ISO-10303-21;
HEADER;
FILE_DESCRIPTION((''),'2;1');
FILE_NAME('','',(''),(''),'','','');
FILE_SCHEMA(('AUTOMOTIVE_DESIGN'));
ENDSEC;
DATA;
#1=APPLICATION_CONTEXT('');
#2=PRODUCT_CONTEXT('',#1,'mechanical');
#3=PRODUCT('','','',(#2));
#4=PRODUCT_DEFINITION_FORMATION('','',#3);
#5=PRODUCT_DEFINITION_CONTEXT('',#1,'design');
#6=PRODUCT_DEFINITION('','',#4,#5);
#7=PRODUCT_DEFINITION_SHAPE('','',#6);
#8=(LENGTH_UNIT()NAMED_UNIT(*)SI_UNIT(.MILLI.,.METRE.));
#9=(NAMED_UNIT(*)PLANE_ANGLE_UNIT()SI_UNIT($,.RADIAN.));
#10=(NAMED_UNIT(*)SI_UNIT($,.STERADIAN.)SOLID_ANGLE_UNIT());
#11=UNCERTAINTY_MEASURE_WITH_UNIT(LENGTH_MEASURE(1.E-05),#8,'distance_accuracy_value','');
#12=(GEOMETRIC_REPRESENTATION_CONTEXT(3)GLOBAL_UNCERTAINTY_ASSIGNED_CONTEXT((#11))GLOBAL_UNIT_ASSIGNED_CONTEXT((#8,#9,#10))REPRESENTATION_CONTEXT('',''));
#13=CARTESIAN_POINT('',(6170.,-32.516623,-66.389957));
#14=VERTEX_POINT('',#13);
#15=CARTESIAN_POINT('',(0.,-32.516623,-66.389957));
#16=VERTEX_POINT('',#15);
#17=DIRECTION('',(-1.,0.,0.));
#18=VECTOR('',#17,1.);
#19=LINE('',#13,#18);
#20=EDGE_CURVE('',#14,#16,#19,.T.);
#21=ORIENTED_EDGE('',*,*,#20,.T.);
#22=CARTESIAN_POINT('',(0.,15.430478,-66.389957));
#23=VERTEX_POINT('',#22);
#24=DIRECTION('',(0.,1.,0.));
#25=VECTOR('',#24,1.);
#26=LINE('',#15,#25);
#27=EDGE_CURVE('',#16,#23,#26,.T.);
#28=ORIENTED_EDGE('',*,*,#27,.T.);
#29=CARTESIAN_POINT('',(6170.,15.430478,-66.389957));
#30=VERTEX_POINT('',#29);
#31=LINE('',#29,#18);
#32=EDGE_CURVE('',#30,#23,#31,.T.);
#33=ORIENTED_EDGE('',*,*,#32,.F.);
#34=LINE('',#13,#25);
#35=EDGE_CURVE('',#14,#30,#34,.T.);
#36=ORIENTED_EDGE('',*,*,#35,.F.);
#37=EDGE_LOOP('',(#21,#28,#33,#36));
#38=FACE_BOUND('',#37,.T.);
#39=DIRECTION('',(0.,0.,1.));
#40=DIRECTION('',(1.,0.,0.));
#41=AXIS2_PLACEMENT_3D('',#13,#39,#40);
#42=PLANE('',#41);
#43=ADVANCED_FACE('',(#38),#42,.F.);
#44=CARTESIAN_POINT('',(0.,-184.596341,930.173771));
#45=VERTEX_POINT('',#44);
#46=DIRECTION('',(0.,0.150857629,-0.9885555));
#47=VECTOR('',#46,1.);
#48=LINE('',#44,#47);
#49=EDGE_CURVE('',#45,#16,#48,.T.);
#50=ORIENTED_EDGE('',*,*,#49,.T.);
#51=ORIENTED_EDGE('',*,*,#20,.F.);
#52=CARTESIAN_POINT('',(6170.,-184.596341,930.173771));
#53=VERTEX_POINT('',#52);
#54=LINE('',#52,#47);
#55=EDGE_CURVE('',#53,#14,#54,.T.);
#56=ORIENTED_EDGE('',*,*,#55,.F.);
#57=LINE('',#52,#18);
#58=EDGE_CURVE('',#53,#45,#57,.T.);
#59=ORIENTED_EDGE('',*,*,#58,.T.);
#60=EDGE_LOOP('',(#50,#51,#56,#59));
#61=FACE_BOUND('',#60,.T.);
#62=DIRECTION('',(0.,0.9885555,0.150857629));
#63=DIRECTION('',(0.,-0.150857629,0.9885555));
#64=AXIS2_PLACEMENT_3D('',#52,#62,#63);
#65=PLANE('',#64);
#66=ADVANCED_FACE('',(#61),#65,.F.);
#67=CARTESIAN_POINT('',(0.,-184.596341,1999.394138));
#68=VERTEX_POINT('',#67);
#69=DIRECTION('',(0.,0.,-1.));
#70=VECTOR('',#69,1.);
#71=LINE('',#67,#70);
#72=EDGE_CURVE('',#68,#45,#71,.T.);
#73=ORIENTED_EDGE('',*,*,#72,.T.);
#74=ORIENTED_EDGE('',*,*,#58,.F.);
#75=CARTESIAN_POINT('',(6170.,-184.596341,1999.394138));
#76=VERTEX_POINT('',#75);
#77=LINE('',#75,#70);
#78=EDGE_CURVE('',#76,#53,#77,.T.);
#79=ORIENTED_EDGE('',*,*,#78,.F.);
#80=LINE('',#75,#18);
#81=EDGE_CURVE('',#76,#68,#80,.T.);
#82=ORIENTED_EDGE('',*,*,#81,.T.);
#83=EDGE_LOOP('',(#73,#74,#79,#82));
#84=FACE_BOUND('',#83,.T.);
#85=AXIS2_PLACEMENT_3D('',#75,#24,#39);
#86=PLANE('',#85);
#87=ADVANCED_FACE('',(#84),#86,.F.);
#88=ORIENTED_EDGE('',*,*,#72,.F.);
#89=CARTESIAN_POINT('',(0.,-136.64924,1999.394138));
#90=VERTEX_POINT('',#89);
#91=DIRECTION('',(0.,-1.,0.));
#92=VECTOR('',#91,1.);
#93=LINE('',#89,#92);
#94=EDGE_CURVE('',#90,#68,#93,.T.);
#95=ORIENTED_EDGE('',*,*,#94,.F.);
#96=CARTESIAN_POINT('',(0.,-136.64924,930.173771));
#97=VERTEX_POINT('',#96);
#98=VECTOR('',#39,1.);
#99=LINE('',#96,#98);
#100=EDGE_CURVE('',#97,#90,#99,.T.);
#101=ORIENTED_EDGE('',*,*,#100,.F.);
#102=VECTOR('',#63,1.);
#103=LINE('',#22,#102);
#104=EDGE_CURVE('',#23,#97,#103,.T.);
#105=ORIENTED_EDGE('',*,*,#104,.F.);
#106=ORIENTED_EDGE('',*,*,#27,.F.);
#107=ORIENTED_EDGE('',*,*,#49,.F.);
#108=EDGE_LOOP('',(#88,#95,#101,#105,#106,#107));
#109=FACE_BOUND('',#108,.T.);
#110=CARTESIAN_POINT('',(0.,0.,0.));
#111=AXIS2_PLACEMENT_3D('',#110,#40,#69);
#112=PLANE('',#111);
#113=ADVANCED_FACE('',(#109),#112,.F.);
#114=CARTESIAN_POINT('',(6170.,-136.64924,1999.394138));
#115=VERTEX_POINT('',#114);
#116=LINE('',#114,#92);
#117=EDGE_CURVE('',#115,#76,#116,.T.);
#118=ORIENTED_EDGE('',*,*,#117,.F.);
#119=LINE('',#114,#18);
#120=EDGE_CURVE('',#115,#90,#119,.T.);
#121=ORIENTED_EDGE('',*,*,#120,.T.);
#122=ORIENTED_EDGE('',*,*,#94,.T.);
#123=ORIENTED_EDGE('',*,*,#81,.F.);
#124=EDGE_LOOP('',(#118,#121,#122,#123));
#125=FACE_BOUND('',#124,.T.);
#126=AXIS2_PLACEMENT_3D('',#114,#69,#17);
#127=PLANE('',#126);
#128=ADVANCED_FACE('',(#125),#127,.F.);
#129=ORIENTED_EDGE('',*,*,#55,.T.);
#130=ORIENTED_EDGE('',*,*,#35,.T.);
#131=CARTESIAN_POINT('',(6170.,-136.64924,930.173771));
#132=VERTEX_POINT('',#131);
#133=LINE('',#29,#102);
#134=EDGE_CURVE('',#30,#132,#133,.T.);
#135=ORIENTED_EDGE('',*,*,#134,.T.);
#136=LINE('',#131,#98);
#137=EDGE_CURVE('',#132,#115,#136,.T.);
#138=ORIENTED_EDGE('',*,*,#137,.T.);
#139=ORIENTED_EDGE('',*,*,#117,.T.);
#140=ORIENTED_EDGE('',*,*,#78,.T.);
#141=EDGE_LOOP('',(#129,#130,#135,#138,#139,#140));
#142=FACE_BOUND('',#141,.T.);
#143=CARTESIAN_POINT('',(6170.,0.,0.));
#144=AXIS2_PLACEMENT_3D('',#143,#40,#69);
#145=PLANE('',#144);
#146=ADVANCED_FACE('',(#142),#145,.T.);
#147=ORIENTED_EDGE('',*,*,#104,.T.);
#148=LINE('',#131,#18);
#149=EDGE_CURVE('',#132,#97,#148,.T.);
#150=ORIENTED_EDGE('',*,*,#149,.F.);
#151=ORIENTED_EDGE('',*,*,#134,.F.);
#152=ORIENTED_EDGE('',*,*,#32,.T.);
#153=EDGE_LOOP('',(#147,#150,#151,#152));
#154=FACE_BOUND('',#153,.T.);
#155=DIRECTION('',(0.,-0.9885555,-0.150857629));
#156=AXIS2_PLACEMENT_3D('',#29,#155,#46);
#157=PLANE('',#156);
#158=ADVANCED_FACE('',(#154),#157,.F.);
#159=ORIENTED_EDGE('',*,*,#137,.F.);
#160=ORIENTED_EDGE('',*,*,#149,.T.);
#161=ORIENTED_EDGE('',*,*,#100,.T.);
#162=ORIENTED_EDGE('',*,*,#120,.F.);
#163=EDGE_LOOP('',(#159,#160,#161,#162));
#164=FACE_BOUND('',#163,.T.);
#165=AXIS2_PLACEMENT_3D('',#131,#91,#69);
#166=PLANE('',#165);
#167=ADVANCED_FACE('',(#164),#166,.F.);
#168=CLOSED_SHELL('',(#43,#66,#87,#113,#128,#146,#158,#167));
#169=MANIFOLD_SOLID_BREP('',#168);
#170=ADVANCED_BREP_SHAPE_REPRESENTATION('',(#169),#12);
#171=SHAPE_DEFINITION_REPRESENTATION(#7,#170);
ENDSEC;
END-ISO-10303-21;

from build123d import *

# Parameters (mm, degrees)
EXTRUDE_1_DEPTH = 6170


with BuildPart() as part:
    # Эскиз1 → Бобышка-Вытянуть1 (new body)
    with BuildSketch(Plane(origin=(0, 0, 0), x_dir=(0, 0, -1), z_dir=(1, 0, 0))):
        Polygon((66.389957095, 15.430478309), (-930.173771496, -136.649239627), (-1999.3941377, -136.649239627), (-1999.3941377, -184.59634125), (-930.173771496, -184.59634125), (66.389957095, -32.516623314), align=None)
    extrude(amount=EXTRUDE_1_DEPTH)


solid = part.part
